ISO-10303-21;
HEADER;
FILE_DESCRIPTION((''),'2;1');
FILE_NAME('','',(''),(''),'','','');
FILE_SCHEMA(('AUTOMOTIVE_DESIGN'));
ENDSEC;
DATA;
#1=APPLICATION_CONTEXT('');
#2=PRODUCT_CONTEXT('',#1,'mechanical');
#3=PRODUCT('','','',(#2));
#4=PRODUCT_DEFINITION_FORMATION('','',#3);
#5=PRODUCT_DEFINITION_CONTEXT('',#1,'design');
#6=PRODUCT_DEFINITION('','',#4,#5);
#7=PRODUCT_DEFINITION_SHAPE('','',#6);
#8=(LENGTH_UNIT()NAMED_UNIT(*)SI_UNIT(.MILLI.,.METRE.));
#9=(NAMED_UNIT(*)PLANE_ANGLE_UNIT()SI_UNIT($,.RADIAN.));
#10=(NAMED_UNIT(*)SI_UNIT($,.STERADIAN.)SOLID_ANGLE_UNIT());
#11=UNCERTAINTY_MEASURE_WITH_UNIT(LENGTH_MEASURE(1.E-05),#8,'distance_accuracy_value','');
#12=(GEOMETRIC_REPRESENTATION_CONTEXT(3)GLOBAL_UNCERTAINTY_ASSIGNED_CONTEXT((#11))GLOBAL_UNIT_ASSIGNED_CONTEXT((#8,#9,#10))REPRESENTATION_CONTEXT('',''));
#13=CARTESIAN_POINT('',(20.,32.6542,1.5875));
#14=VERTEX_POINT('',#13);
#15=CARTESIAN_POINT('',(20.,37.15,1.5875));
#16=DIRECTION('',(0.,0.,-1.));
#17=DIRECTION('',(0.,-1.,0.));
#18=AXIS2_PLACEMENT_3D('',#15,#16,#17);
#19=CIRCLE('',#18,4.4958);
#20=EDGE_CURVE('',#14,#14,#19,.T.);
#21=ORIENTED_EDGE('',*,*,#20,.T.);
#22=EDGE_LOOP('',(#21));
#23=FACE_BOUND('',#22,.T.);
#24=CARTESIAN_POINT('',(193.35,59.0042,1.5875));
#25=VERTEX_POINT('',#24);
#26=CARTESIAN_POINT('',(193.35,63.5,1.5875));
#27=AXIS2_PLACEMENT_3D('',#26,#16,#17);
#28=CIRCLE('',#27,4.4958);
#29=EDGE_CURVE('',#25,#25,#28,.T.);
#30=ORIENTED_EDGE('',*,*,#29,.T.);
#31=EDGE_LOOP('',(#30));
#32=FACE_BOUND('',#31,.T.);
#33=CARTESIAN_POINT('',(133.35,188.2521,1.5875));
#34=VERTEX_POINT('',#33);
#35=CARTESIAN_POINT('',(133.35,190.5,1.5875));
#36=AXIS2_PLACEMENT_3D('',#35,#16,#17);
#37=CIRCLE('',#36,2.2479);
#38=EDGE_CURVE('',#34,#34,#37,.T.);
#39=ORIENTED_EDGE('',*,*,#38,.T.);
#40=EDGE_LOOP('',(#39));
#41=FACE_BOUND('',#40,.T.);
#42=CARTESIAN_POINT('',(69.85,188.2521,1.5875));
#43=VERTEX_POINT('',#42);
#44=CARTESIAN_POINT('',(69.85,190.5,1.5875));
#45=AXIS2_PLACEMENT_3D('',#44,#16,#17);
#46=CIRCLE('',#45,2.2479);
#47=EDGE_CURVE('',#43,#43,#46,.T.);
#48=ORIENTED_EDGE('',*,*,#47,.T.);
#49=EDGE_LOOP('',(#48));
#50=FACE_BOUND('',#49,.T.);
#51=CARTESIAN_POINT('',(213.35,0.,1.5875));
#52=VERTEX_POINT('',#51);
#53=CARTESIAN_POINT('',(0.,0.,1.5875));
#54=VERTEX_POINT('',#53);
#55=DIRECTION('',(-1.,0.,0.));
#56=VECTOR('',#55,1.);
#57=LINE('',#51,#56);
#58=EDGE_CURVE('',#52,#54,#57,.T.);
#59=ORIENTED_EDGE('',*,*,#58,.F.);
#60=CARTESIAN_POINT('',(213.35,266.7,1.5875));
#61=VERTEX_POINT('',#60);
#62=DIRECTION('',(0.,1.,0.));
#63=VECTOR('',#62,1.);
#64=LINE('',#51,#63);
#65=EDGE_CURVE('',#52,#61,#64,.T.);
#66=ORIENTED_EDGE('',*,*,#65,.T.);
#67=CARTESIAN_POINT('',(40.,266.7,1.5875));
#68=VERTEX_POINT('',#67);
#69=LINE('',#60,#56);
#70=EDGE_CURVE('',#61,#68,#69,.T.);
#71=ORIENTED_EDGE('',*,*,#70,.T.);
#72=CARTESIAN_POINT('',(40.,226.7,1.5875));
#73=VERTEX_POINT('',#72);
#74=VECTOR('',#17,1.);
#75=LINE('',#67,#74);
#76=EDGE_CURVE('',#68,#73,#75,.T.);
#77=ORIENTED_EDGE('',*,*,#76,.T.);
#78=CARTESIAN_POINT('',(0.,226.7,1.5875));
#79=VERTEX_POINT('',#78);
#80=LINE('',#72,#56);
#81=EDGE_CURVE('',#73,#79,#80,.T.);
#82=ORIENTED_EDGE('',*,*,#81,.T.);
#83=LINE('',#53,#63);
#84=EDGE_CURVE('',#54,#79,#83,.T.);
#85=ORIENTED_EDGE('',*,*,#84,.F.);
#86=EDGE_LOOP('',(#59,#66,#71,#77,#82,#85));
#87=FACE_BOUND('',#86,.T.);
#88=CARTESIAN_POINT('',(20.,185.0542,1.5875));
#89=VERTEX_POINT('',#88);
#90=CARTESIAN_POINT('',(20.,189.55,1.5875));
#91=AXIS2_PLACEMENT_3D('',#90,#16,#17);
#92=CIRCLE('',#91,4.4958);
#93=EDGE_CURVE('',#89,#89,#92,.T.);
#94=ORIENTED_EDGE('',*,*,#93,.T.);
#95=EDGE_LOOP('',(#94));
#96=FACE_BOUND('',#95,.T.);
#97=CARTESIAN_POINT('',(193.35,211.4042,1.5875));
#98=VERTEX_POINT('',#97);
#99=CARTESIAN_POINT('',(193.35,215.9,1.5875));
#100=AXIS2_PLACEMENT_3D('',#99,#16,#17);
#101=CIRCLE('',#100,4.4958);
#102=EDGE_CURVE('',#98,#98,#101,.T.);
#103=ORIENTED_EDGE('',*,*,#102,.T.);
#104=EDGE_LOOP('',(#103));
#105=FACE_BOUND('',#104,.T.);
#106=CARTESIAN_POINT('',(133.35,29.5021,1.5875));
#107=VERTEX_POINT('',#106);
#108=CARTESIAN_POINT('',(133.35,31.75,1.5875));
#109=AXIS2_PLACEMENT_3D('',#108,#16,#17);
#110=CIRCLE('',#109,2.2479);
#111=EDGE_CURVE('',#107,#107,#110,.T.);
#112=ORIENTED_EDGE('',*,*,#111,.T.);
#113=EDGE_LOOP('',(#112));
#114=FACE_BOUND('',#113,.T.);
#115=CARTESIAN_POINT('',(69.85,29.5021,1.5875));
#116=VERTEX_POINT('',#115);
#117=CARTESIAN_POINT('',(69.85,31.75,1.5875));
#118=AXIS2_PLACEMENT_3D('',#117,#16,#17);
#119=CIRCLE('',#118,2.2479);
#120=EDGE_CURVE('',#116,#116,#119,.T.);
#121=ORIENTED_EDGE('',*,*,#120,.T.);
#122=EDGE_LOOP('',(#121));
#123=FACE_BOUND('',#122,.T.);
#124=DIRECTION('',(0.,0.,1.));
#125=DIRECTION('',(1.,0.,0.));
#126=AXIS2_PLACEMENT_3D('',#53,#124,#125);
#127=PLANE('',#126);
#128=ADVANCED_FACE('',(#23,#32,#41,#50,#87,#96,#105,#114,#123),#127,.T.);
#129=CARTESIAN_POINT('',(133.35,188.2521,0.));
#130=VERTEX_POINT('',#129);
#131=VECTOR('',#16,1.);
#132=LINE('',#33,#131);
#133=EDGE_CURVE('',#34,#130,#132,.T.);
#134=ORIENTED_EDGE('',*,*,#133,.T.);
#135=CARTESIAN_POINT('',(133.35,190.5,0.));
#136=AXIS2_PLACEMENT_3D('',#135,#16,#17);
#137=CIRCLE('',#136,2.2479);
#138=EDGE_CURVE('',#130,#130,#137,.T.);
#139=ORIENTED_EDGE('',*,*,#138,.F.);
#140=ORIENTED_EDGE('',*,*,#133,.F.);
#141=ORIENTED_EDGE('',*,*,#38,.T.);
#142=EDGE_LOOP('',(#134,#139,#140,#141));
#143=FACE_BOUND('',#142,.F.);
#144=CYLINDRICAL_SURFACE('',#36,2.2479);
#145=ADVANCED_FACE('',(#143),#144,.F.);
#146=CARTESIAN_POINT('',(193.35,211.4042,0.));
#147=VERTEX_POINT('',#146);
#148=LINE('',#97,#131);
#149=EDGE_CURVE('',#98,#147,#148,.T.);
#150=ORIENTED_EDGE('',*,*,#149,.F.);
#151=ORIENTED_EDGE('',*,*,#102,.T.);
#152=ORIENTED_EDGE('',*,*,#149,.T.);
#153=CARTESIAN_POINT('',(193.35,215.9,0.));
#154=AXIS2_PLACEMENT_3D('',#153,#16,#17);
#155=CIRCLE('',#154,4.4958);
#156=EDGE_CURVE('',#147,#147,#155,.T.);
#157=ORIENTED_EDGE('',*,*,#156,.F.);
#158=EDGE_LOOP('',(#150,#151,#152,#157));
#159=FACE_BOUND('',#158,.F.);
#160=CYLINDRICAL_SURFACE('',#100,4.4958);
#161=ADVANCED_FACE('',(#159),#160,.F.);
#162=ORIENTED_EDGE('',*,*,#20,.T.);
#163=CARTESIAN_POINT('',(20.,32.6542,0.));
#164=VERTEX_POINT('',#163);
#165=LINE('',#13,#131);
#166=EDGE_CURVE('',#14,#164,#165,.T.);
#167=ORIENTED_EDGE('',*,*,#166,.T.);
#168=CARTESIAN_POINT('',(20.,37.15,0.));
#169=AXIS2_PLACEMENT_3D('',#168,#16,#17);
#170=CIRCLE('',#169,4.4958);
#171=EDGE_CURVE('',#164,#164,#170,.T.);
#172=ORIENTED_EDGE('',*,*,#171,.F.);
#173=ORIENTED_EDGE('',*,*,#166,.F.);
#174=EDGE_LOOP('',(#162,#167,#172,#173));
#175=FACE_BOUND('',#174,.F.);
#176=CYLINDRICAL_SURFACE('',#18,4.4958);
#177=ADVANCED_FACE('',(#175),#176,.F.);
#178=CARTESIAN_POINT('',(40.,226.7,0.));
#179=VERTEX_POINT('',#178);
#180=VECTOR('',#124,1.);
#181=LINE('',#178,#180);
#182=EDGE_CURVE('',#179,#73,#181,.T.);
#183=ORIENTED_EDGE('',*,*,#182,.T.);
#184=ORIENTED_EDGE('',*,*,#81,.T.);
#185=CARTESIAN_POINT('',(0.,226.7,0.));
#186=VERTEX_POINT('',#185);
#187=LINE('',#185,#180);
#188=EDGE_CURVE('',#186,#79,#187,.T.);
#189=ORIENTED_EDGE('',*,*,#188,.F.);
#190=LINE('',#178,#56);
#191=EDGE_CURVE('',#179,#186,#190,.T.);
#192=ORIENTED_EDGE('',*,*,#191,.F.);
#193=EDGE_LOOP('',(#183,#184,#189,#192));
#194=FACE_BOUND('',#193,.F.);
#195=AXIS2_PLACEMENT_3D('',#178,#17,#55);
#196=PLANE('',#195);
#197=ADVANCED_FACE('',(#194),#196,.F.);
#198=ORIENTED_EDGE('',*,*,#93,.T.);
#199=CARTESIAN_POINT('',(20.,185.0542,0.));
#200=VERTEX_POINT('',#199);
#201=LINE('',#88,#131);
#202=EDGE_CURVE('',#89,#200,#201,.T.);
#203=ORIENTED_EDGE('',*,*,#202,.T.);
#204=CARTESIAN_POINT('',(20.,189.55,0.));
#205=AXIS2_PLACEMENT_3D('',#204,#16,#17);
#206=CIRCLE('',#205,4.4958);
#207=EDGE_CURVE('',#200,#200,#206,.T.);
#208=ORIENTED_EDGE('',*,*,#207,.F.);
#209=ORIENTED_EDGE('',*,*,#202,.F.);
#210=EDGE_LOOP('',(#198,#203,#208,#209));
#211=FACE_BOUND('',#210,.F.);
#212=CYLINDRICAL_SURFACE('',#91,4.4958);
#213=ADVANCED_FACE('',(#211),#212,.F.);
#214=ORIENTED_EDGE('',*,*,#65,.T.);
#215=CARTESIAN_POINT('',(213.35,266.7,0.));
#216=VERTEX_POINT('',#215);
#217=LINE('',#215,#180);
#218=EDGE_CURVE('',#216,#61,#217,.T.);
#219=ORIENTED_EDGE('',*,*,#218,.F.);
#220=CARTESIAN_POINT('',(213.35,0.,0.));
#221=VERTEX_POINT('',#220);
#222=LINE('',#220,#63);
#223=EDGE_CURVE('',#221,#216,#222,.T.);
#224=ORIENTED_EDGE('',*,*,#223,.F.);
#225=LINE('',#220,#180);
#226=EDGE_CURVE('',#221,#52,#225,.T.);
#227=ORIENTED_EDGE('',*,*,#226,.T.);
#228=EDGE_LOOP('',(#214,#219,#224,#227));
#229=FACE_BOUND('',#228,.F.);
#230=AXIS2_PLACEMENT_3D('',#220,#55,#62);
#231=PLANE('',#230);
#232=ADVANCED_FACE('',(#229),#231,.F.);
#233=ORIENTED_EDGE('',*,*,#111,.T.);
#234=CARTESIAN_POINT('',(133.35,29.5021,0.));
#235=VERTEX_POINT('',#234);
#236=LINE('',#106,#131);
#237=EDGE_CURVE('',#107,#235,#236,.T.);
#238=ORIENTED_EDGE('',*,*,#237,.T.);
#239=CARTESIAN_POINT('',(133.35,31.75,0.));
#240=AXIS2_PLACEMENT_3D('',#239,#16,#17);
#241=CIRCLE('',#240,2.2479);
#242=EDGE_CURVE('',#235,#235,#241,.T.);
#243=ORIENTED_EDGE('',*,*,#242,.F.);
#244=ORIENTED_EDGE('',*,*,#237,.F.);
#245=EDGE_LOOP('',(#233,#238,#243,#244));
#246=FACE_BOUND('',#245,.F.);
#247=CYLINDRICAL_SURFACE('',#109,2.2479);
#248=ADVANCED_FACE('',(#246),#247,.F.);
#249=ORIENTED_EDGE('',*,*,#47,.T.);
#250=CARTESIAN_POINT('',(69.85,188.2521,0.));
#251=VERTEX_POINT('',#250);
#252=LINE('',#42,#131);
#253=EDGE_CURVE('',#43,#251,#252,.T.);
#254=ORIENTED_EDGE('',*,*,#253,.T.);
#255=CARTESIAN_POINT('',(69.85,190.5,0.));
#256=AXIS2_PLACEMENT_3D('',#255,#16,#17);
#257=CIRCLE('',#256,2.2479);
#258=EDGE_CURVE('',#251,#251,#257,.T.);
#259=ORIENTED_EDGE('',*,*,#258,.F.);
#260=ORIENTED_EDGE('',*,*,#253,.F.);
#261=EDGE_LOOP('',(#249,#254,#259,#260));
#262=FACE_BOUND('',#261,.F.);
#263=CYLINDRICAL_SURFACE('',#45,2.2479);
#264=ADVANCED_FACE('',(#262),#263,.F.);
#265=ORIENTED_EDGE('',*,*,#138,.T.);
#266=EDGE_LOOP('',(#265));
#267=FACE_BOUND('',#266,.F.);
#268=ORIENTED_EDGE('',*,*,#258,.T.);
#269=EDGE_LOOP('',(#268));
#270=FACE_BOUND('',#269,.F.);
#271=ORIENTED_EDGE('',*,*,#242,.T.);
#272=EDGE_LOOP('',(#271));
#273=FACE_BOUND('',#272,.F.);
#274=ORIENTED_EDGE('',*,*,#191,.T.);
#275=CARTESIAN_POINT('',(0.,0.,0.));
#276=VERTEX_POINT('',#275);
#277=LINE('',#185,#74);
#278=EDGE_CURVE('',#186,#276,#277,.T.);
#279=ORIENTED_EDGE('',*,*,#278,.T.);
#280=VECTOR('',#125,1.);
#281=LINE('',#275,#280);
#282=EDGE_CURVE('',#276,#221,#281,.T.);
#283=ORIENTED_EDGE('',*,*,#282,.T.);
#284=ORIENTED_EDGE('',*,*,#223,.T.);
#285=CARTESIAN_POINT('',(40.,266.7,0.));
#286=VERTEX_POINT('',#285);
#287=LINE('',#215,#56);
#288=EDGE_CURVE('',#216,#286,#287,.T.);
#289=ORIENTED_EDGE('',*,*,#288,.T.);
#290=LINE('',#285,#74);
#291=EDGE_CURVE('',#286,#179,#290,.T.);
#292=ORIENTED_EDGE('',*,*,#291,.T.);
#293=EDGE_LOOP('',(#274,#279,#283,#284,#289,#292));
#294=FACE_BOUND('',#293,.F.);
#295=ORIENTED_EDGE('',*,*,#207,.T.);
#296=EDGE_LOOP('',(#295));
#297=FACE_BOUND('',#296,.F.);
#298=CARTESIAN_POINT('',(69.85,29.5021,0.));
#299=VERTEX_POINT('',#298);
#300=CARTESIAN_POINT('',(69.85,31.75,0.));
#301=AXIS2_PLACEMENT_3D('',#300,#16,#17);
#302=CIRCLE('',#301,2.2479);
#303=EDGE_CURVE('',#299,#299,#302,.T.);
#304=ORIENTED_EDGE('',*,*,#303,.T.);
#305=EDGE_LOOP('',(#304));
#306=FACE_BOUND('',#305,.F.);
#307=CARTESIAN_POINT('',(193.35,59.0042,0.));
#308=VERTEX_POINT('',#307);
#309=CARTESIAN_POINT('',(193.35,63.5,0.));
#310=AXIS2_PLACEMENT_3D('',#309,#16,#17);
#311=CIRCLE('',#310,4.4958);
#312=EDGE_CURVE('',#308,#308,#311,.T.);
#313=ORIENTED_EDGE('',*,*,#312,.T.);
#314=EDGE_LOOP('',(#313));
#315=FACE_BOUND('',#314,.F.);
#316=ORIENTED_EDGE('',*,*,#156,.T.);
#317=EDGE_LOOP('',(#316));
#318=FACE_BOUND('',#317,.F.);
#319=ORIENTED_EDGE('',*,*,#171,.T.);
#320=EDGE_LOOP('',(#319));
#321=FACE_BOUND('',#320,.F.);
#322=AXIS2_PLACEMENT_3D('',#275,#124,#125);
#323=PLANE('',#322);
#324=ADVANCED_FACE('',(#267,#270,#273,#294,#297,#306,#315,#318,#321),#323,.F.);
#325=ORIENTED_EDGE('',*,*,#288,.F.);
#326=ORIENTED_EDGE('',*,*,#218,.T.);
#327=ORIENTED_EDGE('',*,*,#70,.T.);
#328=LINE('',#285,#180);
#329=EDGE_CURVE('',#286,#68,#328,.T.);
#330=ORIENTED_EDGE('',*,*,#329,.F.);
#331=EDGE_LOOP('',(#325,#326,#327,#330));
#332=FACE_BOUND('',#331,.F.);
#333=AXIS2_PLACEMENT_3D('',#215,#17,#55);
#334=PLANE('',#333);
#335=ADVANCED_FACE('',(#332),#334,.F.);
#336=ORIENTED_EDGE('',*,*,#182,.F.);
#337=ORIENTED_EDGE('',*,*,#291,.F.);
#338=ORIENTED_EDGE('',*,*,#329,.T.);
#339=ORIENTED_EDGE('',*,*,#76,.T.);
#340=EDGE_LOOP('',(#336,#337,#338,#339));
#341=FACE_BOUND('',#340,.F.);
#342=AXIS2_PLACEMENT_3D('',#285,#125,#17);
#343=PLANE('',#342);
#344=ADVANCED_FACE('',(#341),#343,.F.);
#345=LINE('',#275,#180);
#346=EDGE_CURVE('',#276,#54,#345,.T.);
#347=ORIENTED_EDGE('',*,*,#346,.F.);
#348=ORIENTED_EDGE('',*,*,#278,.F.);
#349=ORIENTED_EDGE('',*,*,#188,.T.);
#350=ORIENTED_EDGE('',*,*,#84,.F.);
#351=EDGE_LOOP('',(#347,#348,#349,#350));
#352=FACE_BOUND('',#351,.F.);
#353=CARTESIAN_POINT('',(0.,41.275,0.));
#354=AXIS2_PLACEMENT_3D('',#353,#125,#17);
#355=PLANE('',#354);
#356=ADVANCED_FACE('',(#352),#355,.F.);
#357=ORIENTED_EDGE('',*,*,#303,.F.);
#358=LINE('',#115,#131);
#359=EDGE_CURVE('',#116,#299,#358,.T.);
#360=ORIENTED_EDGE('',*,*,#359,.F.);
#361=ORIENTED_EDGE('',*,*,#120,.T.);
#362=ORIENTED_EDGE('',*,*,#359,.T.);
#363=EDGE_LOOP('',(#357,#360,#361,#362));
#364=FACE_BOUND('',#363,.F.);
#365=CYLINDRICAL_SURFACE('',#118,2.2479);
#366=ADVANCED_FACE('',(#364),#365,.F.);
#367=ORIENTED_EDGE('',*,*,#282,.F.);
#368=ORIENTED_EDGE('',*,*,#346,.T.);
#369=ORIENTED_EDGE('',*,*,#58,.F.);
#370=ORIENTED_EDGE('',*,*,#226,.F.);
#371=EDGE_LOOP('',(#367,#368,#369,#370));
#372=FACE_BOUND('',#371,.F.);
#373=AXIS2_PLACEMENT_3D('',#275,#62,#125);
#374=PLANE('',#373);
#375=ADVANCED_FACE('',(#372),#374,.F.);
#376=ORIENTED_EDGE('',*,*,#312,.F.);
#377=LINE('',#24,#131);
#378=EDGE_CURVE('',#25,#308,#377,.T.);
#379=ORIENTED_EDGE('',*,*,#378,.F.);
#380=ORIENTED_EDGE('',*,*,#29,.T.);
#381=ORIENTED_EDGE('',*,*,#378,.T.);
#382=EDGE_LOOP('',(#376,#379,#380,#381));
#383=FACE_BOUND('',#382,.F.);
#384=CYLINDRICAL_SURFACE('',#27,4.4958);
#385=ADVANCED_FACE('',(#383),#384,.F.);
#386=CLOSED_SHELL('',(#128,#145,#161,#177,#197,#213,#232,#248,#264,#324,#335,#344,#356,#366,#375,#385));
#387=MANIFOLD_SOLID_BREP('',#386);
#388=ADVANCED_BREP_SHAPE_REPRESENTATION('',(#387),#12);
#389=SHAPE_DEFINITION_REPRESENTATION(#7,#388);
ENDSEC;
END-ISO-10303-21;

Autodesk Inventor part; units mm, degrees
ref_plane "YZ Plane" through (0, 0, 0) normal (1, 0, 0) x (0, 1, 0)
ref_plane "XZ Plane" through (0, 0, 0) normal (0, 1, 0) x (-1, 0, 0)
ref_plane "XY Plane" through (0, 0, 0) normal (0, 0, 1) x (1, 0, 0)
sketch "Sketch1" plane through (0, 0, 0) normal (0, 0, 1) x (1, 0, 0)
  line L0 (0, 0) -> (213.35, 0)
  line L1 (213.35, 0) -> (213.35, 266.7)
  line L2 (213.35, 266.7) -> (0, 266.7)
  line L3 (0, 266.7) -> (0, 0)
  line L4 (0, 0) -> (41.275, 0)
  line L5 (0, 41.275) -> (0, 0)
  line L6 (0, 266.7) -> (40, 266.7)
  line L7 (40, 266.7) -> (40, 226.7)
  line L8 (40, 226.7) -> (0, 226.7)
  line L9 (0, 226.7) -> (0, 266.7)
  dimension "d0" = 266.7
  dimension "d1" = 213.35
  dimension "d4" = 40
extrude "Extrusion1" add sketch "Sketch1" along normal blind 1.5875 contours L3 L8 L7 L2 L1 L0
sketch "Sketch2" plane through (0, 0, 1.5875) normal (0, 0, 1) x (1, 0, 0)
  line L0 (213.35, 0) -> (0, 0)
  line L1 (213.35, 266.7) -> (213.35, 0)
  line L2 (40, 266.7) -> (213.35, 266.7)
  line L3 (20, 189.55) -> (20, 37.15)
  line L4 (40, 266.7) -> (40, 226.7) projected
  line L5 (40, 266.7) -> (213.35, 266.7) projected
  line L6 (0, 0) -> (0, 226.7)
  line L7 (0, 226.7) -> (40, 226.7)
  line L8 (213.35, 266.7) -> (213.35, 0) projected
  line L9 (193.35, 215.9) -> (193.35, 63.5)
  point P0 (41.275, 0)
  point P1 (126.675, 266.7)
  point P2 (20, 113.35)
  point P3 (0, 113.35)
  dimension "d9" = 152.4
  dimension "d19" = 20
  dimension "d31" = 152.4
  dimension "d32" = 20
  dimension "d33" = 50.8
hole "Mounting Holes" at (20, 189.55, 1.5875) at (20, 37.15, 1.5875) at (193.35, 215.9, 1.5875) at (193.35, 63.5, 1.5875) direction (0, 0, -1) diameter 8.9916 end through all clearance for "Flat Head Machine Screw" size "M8" standard "Ansi Metric M Profile"
sketch "Sketch3" plane through (0, 0, 1.5875) normal (0, 0, 1) x (1, 0, 0)
  line L0 (0, 0) -> (0, 226.7) projected
  line L1 (40, 266.7) -> (213.35, 266.7) projected
  line L2 (69.85, 190.5) -> (133.35, 190.5)
  line L3 (133.35, 190.5) -> (133.35, 31.75)
  line L4 (133.35, 31.75) -> (69.85, 31.75)
  line L5 (69.85, 31.75) -> (69.85, 190.5)
  dimension "d20" = 69.85
  dimension "d21" = 63.5
  dimension "d22" = 158.75
  dimension "d23" = 76.2
hole "PSU Mounting Holes" at (69.85, 190.5, 1.5875) at (133.35, 190.5, 1.5875) at (69.85, 31.75, 1.5875) at (133.35, 31.75, 1.5875) direction (0, 0, -1) diameter 4.4958 end through all clearance for "Flat Head Machine Screw (82)" size "#8" standard "Ansi Unified Screw Threads"
properties part number "front right plate" material "Aluminum-6061"
